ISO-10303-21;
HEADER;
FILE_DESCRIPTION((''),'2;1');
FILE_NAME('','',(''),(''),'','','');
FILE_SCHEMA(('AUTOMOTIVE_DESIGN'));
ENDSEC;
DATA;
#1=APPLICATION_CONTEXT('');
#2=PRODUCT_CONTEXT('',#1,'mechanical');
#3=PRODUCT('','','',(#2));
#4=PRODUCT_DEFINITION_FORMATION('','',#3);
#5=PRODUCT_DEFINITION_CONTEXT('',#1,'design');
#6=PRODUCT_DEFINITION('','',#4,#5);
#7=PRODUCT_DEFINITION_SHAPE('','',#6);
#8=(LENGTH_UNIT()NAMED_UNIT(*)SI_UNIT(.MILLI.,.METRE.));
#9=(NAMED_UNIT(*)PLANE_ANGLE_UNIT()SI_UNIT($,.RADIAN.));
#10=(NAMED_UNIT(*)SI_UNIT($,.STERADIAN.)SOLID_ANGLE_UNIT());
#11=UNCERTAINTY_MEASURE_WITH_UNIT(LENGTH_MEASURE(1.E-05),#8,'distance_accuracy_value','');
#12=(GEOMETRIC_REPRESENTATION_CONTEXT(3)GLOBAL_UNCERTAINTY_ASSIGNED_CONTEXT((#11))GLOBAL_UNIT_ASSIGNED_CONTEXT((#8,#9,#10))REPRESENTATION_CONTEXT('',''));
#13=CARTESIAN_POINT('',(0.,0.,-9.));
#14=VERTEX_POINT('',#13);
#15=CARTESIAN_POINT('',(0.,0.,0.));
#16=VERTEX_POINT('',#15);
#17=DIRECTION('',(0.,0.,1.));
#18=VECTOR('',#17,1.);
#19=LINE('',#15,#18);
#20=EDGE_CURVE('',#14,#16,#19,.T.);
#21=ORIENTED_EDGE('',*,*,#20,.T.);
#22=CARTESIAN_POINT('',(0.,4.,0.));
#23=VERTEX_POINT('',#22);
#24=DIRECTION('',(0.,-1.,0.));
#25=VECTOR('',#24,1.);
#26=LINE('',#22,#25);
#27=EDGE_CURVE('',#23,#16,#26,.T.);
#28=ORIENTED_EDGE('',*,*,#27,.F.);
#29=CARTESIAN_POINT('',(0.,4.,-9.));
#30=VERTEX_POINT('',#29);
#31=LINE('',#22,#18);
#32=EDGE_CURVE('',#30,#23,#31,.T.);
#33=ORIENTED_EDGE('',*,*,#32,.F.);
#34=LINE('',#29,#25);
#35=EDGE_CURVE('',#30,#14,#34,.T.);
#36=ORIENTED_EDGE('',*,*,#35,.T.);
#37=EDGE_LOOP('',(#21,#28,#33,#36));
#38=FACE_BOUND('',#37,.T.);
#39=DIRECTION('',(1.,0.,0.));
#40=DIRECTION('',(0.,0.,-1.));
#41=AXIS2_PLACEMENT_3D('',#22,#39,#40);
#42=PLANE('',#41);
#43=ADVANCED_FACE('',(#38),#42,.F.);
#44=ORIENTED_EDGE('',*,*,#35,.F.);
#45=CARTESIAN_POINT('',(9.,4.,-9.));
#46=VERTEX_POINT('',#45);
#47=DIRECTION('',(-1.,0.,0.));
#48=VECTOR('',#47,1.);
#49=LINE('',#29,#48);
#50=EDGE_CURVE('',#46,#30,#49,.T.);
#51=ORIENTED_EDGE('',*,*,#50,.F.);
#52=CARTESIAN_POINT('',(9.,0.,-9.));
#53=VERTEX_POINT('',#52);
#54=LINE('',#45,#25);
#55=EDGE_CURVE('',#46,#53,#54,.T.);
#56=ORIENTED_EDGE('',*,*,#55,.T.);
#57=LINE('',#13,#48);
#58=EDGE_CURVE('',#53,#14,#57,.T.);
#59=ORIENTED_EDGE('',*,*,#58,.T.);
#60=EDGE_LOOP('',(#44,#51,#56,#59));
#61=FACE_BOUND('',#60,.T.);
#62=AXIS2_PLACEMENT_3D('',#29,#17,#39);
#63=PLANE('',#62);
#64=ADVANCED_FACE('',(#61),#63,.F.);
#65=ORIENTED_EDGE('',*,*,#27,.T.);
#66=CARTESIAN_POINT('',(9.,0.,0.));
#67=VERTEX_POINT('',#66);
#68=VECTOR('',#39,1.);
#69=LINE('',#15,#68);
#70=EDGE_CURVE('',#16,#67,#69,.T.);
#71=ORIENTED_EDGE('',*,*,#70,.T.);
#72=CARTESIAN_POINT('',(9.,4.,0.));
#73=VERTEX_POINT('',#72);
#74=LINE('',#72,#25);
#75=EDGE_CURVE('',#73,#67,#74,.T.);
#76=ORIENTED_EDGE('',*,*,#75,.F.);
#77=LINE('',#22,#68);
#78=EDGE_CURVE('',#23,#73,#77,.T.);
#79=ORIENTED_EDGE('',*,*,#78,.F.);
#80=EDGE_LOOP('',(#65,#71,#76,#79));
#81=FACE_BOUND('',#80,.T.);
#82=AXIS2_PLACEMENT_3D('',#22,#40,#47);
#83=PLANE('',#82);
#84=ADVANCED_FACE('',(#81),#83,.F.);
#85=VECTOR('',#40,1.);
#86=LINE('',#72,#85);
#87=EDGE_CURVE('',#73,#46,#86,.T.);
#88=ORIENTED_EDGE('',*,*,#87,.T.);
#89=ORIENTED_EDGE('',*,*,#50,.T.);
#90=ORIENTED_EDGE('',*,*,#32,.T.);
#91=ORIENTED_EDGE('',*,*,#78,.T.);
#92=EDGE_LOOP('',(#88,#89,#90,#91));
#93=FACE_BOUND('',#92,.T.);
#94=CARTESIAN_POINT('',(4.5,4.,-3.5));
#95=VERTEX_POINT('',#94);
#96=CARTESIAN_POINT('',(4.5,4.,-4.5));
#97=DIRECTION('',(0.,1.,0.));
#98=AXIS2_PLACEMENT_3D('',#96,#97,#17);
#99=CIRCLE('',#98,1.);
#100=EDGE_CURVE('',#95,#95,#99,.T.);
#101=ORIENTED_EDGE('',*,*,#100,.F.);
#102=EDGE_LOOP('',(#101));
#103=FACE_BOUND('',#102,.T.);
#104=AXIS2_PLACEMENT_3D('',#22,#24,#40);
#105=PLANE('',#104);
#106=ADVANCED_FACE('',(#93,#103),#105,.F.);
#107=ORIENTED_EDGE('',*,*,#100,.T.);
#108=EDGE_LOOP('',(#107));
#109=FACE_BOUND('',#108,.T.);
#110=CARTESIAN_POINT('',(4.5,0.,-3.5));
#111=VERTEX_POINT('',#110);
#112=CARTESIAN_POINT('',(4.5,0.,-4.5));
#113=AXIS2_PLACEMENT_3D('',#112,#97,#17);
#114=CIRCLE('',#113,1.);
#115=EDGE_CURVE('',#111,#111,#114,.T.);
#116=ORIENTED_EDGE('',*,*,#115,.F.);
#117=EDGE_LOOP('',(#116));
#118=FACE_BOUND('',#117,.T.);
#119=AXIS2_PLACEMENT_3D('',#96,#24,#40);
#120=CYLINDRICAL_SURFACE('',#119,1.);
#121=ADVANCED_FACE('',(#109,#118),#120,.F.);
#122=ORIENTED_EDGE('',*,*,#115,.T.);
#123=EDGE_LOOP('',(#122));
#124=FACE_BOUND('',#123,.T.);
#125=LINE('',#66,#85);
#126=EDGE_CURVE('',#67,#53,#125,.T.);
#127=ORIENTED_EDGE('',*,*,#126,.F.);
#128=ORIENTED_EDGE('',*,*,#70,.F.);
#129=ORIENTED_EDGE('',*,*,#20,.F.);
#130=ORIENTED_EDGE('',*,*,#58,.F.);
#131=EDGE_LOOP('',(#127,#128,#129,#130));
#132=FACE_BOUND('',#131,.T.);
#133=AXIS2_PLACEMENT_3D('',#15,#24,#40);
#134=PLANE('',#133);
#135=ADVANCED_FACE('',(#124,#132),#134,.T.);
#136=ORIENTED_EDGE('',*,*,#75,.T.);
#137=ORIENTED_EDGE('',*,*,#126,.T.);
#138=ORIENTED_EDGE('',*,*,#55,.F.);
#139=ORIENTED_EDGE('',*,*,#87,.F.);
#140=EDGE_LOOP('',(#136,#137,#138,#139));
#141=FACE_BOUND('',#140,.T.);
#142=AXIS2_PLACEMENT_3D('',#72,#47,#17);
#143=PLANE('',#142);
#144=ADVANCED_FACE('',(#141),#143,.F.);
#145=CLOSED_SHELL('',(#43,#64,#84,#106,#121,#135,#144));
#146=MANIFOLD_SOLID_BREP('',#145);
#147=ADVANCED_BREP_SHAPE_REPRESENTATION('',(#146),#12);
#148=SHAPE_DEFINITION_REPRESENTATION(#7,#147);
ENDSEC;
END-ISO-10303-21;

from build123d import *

# Parameters (mm, degrees)
SKETCH1_W           = 9
SKETCH1_H           = 9
SKETCH1_R           = 1
BOSS_EXTRUDE1_DEPTH = 4


with BuildPart() as part:
    # Sketch1 → Boss-Extrude1 (new body)
    with BuildSketch(Plane(origin=(0, 0, 0), x_dir=(1, 0, 0), z_dir=(0, 1, 0))):
        with Locations((4.5, 4.5)):
            Rectangle(SKETCH1_W, SKETCH1_H)
        with Locations(Location((4.5, 4.5, 0), (0, 0, 270))):
            Circle(SKETCH1_R, mode=Mode.SUBTRACT)
    extrude(amount=BOSS_EXTRUDE1_DEPTH)


solid = part.part
